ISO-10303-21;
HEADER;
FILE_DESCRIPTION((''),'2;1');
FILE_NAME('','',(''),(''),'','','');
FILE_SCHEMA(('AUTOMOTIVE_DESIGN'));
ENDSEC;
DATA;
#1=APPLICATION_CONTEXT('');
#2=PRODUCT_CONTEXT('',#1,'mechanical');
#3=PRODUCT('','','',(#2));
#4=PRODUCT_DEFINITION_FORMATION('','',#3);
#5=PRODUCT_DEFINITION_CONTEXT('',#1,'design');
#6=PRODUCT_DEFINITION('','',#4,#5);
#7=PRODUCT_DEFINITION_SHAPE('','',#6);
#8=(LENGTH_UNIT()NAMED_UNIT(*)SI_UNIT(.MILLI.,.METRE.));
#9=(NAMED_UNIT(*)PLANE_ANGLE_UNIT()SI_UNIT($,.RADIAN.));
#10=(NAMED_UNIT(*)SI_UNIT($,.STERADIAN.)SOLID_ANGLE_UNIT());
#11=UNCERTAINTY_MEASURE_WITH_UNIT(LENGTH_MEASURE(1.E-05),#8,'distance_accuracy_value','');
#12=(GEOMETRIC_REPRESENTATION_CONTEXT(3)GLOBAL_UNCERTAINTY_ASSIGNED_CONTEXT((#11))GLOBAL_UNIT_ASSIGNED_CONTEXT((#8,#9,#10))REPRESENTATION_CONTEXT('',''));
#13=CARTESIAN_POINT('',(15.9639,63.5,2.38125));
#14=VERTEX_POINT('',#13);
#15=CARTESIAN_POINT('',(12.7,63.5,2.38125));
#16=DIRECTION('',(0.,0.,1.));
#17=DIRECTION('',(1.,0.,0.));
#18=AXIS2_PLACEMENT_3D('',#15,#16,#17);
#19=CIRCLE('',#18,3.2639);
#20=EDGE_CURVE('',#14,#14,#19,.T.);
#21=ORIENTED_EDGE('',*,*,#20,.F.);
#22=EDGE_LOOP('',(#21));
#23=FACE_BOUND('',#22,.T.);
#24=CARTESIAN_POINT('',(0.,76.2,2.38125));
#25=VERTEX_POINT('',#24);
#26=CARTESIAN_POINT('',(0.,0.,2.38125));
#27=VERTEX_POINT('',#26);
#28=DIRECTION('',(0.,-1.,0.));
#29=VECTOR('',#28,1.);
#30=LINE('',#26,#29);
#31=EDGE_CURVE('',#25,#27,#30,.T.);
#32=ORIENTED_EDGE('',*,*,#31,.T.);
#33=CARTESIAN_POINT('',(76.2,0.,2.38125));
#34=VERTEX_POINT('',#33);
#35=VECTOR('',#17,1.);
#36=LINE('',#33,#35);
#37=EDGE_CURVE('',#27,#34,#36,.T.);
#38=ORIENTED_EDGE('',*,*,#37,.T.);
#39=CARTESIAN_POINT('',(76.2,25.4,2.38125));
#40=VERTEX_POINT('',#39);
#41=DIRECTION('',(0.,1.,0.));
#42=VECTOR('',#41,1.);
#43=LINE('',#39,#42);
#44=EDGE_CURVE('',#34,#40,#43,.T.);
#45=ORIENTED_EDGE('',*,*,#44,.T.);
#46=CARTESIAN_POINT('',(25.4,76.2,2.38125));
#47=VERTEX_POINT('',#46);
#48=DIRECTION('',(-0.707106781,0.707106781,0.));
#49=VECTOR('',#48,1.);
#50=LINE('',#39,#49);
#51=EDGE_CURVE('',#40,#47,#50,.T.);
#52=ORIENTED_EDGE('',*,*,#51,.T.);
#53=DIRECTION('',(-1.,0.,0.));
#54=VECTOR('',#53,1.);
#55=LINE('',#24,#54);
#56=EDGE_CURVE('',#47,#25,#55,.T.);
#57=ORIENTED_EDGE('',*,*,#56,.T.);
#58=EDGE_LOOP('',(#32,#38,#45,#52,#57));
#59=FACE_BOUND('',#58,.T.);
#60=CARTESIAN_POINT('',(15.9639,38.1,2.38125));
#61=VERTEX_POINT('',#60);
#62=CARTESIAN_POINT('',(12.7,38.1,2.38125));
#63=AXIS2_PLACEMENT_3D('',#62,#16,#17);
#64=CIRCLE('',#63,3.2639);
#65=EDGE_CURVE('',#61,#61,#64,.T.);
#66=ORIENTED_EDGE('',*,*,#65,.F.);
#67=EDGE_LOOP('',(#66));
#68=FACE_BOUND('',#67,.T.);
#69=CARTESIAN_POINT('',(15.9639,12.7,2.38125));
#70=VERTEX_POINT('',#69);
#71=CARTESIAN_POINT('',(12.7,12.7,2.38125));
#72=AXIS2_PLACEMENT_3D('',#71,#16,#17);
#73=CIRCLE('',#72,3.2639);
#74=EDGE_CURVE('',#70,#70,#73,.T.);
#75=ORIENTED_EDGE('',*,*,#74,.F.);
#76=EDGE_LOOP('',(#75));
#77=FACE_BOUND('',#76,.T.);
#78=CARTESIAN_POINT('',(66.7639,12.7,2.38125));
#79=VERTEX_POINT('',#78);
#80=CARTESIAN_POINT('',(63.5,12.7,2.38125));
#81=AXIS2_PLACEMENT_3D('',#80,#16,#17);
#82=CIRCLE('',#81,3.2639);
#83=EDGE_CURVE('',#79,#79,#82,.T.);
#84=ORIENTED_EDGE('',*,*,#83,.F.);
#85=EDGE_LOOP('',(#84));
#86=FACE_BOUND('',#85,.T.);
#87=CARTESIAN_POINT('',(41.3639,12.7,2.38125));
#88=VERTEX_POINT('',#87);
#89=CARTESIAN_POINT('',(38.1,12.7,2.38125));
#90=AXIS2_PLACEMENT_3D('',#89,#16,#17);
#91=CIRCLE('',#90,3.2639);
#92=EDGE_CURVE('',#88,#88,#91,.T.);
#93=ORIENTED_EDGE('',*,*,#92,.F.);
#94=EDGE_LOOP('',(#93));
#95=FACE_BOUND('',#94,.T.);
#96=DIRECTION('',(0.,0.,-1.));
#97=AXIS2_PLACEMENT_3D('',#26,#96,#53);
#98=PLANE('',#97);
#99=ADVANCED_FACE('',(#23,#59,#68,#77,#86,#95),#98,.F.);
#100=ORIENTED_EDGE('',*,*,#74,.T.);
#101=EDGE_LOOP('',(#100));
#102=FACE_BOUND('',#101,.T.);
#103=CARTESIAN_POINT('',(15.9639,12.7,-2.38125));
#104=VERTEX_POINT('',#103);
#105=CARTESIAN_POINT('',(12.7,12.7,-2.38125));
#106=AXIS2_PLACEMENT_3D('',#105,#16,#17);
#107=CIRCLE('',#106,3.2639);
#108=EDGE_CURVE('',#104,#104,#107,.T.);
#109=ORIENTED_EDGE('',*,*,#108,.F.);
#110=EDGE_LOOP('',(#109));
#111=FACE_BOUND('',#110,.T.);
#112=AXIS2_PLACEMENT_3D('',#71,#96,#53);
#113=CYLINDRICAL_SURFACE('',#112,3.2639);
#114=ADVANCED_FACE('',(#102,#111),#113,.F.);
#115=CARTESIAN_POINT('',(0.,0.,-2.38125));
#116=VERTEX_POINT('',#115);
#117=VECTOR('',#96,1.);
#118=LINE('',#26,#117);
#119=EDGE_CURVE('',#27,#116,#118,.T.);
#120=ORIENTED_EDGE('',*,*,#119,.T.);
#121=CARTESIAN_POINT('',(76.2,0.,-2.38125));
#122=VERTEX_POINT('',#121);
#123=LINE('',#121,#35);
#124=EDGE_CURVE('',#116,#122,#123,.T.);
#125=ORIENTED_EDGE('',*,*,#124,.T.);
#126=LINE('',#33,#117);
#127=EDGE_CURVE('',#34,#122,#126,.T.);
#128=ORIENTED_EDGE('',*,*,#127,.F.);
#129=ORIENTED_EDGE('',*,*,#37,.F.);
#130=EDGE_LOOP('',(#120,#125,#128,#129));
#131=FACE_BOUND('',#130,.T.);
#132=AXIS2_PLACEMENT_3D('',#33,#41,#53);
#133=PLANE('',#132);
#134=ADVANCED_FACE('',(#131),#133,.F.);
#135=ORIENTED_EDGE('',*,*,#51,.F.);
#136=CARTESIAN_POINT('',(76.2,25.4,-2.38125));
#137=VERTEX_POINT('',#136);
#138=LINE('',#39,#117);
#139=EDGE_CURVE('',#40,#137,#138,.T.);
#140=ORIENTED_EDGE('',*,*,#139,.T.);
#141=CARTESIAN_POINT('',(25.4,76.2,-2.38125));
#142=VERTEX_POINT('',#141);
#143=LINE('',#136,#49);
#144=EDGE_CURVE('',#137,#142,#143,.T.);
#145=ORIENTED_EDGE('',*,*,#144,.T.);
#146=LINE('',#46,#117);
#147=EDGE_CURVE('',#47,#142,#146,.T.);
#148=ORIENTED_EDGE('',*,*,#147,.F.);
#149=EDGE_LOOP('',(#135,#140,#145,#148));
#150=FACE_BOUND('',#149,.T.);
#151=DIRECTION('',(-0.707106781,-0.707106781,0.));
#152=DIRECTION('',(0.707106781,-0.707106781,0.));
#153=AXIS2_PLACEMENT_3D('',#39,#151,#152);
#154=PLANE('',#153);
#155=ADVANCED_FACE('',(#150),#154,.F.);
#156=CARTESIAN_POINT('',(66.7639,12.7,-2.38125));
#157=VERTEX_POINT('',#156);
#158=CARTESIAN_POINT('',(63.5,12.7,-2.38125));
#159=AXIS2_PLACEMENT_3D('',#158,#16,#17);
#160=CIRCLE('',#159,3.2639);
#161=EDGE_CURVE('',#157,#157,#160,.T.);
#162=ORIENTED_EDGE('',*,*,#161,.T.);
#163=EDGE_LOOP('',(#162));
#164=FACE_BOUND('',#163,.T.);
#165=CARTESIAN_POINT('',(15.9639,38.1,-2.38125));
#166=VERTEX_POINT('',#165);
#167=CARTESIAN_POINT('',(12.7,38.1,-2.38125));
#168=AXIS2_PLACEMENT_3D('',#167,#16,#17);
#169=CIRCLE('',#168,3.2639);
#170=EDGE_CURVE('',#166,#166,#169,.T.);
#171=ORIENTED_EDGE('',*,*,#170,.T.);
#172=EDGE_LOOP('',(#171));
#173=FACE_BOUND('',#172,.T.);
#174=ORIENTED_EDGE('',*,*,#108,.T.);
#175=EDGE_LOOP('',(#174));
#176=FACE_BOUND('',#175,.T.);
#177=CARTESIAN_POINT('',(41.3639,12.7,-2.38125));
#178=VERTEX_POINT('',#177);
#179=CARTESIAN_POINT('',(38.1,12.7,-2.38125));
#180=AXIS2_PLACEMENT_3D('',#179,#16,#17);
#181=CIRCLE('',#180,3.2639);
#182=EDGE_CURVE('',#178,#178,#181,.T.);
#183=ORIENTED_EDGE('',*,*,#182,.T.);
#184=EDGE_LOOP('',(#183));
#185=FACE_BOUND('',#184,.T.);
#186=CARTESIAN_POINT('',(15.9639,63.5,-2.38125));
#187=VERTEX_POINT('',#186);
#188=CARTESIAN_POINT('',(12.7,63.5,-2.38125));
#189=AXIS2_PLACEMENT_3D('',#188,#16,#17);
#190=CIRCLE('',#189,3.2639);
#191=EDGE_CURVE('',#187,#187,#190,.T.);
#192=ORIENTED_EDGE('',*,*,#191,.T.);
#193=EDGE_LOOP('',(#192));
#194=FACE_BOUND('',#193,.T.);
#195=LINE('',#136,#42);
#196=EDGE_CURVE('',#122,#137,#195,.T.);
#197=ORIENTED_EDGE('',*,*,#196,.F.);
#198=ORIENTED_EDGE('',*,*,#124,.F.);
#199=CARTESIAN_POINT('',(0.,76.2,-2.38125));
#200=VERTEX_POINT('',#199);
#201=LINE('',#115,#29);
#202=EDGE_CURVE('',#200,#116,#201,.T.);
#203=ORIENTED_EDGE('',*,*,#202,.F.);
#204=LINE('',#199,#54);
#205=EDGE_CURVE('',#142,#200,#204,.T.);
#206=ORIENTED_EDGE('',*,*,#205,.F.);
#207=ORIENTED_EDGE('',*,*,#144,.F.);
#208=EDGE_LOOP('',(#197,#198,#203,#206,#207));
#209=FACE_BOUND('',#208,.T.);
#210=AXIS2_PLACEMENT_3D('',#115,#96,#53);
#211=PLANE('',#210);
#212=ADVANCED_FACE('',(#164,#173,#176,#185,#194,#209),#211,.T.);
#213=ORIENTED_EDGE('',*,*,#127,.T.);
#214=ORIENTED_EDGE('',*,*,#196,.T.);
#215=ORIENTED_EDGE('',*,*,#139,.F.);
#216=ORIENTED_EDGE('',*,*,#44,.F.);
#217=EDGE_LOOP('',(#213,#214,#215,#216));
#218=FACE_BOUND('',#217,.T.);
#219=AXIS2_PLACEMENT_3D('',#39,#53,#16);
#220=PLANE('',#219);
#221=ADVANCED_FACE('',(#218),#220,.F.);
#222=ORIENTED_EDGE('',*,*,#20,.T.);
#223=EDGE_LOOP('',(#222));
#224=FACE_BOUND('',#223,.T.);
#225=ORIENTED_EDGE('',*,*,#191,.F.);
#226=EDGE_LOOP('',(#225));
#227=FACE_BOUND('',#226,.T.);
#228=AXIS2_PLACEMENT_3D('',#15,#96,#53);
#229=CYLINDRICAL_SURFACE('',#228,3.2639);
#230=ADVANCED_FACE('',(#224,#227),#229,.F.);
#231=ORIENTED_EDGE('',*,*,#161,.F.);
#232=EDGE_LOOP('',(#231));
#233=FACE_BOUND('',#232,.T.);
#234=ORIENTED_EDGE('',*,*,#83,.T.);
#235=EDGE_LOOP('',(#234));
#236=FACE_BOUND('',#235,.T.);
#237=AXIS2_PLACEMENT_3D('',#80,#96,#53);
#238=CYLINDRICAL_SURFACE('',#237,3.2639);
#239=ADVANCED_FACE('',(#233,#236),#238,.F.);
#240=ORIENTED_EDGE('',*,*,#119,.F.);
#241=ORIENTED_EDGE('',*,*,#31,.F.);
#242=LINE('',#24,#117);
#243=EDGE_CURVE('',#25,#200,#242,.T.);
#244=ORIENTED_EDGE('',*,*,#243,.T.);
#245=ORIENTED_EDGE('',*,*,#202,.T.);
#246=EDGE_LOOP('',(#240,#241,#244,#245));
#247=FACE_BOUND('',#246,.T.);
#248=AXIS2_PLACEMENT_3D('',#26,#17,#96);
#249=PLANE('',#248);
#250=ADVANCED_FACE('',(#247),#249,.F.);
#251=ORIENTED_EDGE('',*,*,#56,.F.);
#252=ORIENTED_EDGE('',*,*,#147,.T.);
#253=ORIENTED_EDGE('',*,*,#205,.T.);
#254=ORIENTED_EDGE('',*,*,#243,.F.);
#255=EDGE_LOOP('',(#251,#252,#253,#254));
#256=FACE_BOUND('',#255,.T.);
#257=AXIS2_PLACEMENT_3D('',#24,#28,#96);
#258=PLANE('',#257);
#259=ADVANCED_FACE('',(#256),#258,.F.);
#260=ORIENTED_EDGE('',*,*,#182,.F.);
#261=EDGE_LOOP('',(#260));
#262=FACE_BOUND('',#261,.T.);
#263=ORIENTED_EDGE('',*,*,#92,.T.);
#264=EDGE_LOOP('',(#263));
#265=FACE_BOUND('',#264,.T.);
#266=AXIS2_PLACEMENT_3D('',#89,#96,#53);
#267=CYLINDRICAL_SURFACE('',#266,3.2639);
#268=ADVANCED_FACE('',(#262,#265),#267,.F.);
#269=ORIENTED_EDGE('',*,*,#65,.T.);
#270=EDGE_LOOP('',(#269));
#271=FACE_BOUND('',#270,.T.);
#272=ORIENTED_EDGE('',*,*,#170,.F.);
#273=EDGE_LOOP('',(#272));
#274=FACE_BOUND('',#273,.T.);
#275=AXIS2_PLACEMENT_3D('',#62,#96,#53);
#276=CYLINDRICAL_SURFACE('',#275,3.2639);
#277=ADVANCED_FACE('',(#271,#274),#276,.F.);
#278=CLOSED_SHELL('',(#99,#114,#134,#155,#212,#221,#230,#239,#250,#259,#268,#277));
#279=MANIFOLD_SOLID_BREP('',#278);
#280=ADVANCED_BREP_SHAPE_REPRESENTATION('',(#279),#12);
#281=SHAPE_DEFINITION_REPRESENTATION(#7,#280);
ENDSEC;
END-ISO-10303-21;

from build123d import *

# Parameters (mm, degrees)
SKETCH1_R           = 3.2639
BOSS_EXTRUDE1_DEPTH = 2.38125


with BuildPart() as part:
    # Sketch1 → Boss-Extrude1 (new body, symmetric)
    with BuildSketch(Plane.XY):
        Polygon((0, 0), (0, 76.2), (25.4, 76.2), (76.2, 25.4), (76.2, 0), align=None)
        with Locations((12.7, 12.7)):
            Circle(SKETCH1_R, mode=Mode.SUBTRACT)
        with Locations((38.1, 12.7)):
            Circle(SKETCH1_R, mode=Mode.SUBTRACT)
        with Locations((63.5, 12.7)):
            Circle(SKETCH1_R, mode=Mode.SUBTRACT)
        with Locations((12.7, 38.1)):
            Circle(SKETCH1_R, mode=Mode.SUBTRACT)
        with Locations((12.7, 63.5)):
            Circle(SKETCH1_R, mode=Mode.SUBTRACT)
    extrude(amount=BOSS_EXTRUDE1_DEPTH, both=True)


solid = part.part
